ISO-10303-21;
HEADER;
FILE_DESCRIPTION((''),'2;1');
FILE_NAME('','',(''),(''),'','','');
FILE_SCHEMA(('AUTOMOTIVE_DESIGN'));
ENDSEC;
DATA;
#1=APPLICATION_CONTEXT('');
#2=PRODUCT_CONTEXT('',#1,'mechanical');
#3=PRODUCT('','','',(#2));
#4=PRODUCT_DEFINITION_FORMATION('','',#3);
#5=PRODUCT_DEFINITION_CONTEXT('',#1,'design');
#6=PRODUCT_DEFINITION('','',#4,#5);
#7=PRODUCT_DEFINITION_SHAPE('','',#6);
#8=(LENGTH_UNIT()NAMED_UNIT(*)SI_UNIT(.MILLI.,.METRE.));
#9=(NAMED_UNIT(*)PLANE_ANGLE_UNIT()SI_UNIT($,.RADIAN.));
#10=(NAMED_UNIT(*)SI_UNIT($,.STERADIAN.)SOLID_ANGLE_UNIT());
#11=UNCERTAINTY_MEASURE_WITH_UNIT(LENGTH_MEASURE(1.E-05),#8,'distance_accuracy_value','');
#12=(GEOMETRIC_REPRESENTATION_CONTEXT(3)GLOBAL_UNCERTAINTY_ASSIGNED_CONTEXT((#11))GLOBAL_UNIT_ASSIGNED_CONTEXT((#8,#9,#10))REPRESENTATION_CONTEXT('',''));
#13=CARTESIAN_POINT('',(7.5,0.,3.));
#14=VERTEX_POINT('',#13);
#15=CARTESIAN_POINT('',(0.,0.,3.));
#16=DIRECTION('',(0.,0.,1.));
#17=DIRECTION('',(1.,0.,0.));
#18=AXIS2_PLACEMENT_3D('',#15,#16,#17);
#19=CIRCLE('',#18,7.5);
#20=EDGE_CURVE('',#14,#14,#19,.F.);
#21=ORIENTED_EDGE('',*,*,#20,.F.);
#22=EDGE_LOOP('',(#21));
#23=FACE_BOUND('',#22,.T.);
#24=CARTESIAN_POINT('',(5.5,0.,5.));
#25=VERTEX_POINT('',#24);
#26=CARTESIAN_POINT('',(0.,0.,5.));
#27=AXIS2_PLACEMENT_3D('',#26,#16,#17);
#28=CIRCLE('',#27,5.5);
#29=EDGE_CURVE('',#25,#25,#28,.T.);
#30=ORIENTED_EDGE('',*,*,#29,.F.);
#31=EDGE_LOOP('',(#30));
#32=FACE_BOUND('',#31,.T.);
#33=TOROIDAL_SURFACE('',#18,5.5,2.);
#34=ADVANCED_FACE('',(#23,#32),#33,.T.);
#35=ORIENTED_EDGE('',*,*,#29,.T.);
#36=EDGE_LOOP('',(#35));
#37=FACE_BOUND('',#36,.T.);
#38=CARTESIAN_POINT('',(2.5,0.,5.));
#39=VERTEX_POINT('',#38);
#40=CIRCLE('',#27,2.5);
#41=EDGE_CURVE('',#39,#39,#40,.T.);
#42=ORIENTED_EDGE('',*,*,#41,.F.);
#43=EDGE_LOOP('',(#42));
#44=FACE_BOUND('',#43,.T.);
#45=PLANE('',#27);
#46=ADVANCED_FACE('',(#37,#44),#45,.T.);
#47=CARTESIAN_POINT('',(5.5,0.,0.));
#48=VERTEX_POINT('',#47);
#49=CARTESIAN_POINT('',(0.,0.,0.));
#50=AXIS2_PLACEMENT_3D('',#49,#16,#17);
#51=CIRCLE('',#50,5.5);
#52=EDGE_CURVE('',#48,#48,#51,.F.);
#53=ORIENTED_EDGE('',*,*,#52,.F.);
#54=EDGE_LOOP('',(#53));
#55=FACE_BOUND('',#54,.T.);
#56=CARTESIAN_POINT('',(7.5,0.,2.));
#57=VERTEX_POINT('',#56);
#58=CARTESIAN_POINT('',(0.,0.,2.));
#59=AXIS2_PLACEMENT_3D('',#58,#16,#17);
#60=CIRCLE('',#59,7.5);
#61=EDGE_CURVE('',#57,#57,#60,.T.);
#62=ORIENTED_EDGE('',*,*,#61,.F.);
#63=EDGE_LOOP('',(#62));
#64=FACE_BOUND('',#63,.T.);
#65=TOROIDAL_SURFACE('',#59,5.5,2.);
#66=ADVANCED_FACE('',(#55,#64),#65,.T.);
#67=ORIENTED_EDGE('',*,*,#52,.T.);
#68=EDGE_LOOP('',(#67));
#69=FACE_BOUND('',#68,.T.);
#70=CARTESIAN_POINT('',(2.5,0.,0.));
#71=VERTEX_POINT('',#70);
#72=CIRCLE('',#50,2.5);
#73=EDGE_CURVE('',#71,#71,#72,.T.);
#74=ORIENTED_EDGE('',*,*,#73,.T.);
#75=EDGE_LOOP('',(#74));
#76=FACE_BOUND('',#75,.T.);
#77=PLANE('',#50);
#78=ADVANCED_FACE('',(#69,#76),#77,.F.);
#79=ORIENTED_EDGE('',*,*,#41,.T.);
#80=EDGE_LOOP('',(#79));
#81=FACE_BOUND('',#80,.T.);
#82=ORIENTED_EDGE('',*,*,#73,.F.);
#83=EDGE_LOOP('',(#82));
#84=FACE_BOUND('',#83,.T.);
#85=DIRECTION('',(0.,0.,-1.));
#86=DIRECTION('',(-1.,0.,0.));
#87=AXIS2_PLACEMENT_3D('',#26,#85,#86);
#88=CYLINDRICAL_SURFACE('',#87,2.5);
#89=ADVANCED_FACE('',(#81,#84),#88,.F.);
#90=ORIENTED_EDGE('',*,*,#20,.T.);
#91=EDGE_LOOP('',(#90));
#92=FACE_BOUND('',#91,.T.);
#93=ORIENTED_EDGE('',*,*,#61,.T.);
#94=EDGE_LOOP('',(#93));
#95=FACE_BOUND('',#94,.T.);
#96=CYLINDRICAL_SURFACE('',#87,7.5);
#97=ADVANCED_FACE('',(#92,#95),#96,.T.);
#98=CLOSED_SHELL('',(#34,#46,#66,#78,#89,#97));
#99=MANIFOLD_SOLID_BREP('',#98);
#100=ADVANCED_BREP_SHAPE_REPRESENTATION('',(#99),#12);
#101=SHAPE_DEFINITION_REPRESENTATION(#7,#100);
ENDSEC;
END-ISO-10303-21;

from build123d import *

# Parameters (mm, degrees)
SKETCH1_R           = 7.5
SKETCH1_R_2         = 2.5
BOSS_EXTRUDE1_DEPTH = 5
FILLET6_R           = 2


with BuildPart() as part:
    # Sketch1 → Boss-Extrude1 (new body)
    with BuildSketch(Plane.XY):
        Circle(SKETCH1_R)
        Circle(SKETCH1_R_2, mode=Mode.SUBTRACT)
    extrude(amount=BOSS_EXTRUDE1_DEPTH)

    # Fillet6
    fillet6_edges = [part.edges().sort_by_distance(p)[0] for p in [
        (-7.5, 0, 0),
        (-7.5, 0, 5),
    ]]
    fillet(fillet6_edges, radius=FILLET6_R)


solid = part.part
